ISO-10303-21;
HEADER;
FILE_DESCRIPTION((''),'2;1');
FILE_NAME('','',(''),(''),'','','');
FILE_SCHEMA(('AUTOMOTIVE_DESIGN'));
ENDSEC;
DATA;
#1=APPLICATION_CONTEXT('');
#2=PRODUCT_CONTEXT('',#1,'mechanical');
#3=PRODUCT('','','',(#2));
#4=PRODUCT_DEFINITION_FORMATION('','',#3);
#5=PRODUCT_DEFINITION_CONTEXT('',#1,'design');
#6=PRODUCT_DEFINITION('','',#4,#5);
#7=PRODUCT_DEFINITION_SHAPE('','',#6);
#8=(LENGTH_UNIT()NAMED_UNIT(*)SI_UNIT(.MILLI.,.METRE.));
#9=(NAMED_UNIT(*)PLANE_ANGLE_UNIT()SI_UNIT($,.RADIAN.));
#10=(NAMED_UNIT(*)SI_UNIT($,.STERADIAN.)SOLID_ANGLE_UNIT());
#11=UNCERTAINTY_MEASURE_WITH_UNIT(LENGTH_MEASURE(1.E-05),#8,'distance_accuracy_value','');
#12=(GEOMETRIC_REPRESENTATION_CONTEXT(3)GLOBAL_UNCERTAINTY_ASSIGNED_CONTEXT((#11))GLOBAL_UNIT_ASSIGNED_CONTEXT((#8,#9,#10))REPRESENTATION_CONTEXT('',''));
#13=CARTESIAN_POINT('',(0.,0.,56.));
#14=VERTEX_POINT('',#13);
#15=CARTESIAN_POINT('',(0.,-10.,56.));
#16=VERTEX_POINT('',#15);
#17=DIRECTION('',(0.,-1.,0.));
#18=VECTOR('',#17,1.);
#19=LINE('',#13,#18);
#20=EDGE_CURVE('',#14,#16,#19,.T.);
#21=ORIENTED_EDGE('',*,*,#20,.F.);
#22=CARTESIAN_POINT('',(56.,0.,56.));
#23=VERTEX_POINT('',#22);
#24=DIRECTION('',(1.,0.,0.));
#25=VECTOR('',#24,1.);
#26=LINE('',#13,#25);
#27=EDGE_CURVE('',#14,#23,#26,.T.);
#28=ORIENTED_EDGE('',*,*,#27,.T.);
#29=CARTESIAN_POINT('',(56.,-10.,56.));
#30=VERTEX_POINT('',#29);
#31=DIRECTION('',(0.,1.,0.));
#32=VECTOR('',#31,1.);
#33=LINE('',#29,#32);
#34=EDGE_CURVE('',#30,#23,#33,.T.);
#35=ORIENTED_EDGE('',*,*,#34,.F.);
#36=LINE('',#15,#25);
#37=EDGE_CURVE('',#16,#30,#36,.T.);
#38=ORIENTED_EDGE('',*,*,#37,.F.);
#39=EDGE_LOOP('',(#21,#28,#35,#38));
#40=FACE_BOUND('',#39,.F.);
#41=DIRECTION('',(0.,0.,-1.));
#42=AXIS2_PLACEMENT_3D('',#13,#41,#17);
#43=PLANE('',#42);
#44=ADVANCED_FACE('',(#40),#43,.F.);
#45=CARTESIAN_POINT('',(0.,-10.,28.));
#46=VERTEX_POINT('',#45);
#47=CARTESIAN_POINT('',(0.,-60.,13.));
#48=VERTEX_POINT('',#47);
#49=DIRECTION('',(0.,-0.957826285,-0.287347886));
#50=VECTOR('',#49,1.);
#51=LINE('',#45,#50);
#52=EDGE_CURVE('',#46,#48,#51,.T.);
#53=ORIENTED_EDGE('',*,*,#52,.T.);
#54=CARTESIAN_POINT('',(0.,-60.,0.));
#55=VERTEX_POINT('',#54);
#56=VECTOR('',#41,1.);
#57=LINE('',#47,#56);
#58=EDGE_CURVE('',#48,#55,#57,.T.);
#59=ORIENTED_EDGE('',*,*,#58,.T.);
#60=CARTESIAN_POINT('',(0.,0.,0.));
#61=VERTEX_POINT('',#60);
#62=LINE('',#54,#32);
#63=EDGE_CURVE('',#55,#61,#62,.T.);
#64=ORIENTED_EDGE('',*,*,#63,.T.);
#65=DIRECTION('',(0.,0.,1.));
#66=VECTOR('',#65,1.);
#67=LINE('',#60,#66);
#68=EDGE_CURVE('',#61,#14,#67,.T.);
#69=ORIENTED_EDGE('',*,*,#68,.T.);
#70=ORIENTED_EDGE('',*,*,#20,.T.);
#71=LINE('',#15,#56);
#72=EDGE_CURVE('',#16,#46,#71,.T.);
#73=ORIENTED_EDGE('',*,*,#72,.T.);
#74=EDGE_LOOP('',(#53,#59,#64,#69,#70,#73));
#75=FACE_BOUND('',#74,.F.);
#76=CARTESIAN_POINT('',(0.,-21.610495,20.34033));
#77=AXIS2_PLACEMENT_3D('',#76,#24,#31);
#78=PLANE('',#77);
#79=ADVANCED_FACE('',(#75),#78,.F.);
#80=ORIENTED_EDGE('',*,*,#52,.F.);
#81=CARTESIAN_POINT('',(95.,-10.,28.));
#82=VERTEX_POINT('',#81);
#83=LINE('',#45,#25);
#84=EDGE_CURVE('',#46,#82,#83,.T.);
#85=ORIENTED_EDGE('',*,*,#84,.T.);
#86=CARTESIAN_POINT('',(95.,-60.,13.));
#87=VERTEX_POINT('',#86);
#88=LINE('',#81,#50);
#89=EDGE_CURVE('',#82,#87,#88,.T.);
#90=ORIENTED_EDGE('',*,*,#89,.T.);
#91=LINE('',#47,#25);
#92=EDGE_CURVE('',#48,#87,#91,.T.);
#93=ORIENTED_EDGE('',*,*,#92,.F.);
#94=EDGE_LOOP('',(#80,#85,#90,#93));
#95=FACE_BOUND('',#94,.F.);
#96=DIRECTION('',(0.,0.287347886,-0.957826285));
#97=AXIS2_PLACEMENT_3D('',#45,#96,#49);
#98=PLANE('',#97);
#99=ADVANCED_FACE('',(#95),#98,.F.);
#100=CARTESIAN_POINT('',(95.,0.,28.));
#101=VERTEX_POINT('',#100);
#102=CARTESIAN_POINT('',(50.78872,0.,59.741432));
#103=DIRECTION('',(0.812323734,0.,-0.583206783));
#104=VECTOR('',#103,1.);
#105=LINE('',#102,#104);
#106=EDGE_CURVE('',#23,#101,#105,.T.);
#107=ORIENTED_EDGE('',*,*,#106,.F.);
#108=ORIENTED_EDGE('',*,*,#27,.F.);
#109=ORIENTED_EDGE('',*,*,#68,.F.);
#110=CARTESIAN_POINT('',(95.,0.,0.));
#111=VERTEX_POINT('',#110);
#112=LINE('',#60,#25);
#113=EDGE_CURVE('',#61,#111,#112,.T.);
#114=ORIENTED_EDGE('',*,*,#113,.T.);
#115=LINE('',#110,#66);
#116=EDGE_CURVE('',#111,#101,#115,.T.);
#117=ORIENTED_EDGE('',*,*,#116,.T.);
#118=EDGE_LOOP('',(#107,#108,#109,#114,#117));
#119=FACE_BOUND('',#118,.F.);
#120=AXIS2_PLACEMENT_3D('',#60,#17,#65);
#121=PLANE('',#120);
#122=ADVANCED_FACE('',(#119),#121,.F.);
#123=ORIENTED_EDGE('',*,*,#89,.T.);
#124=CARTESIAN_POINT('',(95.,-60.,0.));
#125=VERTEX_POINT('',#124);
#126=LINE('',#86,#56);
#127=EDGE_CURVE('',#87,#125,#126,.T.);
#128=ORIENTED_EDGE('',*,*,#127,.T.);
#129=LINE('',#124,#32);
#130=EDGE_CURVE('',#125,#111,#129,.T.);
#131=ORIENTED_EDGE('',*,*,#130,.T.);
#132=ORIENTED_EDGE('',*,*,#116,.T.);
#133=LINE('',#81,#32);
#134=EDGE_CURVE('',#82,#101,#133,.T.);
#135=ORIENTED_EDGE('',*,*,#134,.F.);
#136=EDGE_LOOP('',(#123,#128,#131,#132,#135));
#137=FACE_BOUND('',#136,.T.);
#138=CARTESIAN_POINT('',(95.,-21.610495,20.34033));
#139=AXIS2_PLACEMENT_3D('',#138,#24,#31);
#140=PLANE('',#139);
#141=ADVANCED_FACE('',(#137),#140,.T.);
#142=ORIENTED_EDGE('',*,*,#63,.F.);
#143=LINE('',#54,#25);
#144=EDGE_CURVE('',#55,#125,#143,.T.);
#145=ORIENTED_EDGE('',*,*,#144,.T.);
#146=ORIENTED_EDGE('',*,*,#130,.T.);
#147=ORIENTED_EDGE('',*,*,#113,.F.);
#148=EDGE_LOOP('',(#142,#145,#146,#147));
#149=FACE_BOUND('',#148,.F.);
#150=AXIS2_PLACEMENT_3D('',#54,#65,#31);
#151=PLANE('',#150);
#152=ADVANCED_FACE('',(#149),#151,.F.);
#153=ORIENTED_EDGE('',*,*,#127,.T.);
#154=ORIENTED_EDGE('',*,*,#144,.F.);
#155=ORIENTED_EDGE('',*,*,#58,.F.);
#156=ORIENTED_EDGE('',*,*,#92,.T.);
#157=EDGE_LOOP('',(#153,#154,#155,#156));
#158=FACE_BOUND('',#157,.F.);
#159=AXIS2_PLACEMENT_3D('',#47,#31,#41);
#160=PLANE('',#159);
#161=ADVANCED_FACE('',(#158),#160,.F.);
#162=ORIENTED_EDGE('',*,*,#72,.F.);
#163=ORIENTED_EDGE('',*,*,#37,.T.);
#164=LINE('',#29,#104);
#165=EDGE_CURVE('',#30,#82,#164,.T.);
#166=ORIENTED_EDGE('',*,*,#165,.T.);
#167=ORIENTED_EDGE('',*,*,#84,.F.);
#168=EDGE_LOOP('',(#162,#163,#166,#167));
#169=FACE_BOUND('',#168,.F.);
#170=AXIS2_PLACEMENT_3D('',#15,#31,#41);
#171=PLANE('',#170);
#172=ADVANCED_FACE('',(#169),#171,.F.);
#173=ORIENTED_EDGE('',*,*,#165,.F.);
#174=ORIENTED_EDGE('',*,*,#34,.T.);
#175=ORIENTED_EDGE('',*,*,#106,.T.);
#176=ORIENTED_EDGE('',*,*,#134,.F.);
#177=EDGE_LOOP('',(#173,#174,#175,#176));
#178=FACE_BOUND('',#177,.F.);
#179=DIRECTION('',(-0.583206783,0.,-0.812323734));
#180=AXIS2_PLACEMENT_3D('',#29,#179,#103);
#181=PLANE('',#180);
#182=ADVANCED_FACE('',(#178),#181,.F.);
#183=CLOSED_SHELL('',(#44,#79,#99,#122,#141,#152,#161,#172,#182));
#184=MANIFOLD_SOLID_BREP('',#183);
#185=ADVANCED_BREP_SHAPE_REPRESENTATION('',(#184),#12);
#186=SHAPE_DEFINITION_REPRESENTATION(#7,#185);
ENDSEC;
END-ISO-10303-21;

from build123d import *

# Parameters (mm, degrees)
F1_DEPTH = 95
F3_DEPTH = 25


with BuildPart() as f1:
    # F0 (on Right) → F1 (new body)
    with BuildSketch(Plane.YZ):
        Polygon((-60, 0), (0, 0), (0, 56), (-10, 56), (-10, 28), (-60, 13), align=None)
    extrude(amount=F1_DEPTH)

    # F2 (on face) → F3 (cut)
    with BuildSketch(Plane.XZ.offset(10)):
        Polygon((95, 56), (56, 56), (95, 28), align=None)
    extrude(amount=-F3_DEPTH, mode=Mode.SUBTRACT)


solid = f1.part
